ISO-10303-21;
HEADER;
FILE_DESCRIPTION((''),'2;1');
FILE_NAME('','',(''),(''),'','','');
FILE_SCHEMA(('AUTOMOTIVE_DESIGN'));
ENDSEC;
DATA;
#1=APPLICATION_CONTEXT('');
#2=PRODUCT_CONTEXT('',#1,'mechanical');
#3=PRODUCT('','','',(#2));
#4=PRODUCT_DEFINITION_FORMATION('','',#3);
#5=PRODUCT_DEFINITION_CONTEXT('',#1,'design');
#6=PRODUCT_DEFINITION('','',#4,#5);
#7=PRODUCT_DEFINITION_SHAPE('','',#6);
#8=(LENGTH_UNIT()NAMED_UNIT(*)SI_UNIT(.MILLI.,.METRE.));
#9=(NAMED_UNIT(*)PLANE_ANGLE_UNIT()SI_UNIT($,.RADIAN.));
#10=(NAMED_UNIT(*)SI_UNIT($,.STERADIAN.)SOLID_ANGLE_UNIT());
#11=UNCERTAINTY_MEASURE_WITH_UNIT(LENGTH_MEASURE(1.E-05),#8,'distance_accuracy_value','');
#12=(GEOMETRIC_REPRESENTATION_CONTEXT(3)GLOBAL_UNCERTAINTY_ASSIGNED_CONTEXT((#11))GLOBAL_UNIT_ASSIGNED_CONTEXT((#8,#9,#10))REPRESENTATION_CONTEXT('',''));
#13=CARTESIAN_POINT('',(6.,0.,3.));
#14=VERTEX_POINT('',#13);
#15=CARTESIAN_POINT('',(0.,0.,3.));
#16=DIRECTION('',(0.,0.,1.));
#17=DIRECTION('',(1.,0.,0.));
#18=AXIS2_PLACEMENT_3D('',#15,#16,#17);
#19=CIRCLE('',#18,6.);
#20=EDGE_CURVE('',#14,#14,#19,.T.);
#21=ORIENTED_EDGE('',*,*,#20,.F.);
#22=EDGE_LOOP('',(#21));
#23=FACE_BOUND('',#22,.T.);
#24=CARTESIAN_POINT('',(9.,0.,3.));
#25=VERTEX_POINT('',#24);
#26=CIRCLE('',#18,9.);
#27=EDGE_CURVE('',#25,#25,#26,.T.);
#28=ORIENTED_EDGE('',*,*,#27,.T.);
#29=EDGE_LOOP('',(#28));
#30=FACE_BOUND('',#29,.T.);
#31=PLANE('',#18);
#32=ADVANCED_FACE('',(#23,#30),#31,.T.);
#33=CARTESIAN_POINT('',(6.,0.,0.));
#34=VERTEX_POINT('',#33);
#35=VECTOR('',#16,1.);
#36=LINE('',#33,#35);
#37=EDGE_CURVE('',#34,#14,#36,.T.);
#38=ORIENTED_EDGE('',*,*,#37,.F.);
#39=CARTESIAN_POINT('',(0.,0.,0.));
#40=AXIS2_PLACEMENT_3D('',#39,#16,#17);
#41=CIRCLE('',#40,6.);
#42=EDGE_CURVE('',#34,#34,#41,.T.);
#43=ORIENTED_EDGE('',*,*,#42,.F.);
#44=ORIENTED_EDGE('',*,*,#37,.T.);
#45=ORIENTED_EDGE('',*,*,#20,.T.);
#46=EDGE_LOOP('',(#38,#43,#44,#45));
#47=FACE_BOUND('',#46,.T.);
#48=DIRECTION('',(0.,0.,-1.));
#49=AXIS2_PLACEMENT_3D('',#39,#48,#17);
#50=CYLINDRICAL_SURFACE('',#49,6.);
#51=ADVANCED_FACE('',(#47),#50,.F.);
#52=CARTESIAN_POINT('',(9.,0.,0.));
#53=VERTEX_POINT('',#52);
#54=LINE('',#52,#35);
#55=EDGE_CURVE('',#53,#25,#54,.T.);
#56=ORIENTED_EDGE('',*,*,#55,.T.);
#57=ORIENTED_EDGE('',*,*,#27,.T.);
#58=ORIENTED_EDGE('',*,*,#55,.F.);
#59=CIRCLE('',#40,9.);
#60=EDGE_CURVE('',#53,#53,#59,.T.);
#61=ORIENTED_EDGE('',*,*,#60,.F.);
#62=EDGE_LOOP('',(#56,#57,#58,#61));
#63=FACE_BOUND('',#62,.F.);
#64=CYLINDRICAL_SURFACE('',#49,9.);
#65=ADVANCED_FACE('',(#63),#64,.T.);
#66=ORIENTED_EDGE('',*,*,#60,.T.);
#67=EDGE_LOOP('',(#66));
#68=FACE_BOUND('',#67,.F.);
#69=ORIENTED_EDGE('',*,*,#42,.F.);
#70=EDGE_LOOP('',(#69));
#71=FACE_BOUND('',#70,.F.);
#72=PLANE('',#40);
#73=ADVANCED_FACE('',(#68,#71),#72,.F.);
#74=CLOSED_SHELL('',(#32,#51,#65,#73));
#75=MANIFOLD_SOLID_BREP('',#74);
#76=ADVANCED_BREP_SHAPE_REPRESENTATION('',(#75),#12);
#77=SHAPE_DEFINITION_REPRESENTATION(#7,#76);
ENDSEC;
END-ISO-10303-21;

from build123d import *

# Parameters (mm, degrees)
SKETCH_R   = 9
SKETCH_R_2 = 6
PAD_DEPTH  = 3


with BuildPart() as part:
    # Sketch → Pad (new body)
    with BuildSketch(Plane.XY):
        Circle(SKETCH_R)
        Circle(SKETCH_R_2, mode=Mode.SUBTRACT)
    extrude(amount=PAD_DEPTH)


solid = part.part
